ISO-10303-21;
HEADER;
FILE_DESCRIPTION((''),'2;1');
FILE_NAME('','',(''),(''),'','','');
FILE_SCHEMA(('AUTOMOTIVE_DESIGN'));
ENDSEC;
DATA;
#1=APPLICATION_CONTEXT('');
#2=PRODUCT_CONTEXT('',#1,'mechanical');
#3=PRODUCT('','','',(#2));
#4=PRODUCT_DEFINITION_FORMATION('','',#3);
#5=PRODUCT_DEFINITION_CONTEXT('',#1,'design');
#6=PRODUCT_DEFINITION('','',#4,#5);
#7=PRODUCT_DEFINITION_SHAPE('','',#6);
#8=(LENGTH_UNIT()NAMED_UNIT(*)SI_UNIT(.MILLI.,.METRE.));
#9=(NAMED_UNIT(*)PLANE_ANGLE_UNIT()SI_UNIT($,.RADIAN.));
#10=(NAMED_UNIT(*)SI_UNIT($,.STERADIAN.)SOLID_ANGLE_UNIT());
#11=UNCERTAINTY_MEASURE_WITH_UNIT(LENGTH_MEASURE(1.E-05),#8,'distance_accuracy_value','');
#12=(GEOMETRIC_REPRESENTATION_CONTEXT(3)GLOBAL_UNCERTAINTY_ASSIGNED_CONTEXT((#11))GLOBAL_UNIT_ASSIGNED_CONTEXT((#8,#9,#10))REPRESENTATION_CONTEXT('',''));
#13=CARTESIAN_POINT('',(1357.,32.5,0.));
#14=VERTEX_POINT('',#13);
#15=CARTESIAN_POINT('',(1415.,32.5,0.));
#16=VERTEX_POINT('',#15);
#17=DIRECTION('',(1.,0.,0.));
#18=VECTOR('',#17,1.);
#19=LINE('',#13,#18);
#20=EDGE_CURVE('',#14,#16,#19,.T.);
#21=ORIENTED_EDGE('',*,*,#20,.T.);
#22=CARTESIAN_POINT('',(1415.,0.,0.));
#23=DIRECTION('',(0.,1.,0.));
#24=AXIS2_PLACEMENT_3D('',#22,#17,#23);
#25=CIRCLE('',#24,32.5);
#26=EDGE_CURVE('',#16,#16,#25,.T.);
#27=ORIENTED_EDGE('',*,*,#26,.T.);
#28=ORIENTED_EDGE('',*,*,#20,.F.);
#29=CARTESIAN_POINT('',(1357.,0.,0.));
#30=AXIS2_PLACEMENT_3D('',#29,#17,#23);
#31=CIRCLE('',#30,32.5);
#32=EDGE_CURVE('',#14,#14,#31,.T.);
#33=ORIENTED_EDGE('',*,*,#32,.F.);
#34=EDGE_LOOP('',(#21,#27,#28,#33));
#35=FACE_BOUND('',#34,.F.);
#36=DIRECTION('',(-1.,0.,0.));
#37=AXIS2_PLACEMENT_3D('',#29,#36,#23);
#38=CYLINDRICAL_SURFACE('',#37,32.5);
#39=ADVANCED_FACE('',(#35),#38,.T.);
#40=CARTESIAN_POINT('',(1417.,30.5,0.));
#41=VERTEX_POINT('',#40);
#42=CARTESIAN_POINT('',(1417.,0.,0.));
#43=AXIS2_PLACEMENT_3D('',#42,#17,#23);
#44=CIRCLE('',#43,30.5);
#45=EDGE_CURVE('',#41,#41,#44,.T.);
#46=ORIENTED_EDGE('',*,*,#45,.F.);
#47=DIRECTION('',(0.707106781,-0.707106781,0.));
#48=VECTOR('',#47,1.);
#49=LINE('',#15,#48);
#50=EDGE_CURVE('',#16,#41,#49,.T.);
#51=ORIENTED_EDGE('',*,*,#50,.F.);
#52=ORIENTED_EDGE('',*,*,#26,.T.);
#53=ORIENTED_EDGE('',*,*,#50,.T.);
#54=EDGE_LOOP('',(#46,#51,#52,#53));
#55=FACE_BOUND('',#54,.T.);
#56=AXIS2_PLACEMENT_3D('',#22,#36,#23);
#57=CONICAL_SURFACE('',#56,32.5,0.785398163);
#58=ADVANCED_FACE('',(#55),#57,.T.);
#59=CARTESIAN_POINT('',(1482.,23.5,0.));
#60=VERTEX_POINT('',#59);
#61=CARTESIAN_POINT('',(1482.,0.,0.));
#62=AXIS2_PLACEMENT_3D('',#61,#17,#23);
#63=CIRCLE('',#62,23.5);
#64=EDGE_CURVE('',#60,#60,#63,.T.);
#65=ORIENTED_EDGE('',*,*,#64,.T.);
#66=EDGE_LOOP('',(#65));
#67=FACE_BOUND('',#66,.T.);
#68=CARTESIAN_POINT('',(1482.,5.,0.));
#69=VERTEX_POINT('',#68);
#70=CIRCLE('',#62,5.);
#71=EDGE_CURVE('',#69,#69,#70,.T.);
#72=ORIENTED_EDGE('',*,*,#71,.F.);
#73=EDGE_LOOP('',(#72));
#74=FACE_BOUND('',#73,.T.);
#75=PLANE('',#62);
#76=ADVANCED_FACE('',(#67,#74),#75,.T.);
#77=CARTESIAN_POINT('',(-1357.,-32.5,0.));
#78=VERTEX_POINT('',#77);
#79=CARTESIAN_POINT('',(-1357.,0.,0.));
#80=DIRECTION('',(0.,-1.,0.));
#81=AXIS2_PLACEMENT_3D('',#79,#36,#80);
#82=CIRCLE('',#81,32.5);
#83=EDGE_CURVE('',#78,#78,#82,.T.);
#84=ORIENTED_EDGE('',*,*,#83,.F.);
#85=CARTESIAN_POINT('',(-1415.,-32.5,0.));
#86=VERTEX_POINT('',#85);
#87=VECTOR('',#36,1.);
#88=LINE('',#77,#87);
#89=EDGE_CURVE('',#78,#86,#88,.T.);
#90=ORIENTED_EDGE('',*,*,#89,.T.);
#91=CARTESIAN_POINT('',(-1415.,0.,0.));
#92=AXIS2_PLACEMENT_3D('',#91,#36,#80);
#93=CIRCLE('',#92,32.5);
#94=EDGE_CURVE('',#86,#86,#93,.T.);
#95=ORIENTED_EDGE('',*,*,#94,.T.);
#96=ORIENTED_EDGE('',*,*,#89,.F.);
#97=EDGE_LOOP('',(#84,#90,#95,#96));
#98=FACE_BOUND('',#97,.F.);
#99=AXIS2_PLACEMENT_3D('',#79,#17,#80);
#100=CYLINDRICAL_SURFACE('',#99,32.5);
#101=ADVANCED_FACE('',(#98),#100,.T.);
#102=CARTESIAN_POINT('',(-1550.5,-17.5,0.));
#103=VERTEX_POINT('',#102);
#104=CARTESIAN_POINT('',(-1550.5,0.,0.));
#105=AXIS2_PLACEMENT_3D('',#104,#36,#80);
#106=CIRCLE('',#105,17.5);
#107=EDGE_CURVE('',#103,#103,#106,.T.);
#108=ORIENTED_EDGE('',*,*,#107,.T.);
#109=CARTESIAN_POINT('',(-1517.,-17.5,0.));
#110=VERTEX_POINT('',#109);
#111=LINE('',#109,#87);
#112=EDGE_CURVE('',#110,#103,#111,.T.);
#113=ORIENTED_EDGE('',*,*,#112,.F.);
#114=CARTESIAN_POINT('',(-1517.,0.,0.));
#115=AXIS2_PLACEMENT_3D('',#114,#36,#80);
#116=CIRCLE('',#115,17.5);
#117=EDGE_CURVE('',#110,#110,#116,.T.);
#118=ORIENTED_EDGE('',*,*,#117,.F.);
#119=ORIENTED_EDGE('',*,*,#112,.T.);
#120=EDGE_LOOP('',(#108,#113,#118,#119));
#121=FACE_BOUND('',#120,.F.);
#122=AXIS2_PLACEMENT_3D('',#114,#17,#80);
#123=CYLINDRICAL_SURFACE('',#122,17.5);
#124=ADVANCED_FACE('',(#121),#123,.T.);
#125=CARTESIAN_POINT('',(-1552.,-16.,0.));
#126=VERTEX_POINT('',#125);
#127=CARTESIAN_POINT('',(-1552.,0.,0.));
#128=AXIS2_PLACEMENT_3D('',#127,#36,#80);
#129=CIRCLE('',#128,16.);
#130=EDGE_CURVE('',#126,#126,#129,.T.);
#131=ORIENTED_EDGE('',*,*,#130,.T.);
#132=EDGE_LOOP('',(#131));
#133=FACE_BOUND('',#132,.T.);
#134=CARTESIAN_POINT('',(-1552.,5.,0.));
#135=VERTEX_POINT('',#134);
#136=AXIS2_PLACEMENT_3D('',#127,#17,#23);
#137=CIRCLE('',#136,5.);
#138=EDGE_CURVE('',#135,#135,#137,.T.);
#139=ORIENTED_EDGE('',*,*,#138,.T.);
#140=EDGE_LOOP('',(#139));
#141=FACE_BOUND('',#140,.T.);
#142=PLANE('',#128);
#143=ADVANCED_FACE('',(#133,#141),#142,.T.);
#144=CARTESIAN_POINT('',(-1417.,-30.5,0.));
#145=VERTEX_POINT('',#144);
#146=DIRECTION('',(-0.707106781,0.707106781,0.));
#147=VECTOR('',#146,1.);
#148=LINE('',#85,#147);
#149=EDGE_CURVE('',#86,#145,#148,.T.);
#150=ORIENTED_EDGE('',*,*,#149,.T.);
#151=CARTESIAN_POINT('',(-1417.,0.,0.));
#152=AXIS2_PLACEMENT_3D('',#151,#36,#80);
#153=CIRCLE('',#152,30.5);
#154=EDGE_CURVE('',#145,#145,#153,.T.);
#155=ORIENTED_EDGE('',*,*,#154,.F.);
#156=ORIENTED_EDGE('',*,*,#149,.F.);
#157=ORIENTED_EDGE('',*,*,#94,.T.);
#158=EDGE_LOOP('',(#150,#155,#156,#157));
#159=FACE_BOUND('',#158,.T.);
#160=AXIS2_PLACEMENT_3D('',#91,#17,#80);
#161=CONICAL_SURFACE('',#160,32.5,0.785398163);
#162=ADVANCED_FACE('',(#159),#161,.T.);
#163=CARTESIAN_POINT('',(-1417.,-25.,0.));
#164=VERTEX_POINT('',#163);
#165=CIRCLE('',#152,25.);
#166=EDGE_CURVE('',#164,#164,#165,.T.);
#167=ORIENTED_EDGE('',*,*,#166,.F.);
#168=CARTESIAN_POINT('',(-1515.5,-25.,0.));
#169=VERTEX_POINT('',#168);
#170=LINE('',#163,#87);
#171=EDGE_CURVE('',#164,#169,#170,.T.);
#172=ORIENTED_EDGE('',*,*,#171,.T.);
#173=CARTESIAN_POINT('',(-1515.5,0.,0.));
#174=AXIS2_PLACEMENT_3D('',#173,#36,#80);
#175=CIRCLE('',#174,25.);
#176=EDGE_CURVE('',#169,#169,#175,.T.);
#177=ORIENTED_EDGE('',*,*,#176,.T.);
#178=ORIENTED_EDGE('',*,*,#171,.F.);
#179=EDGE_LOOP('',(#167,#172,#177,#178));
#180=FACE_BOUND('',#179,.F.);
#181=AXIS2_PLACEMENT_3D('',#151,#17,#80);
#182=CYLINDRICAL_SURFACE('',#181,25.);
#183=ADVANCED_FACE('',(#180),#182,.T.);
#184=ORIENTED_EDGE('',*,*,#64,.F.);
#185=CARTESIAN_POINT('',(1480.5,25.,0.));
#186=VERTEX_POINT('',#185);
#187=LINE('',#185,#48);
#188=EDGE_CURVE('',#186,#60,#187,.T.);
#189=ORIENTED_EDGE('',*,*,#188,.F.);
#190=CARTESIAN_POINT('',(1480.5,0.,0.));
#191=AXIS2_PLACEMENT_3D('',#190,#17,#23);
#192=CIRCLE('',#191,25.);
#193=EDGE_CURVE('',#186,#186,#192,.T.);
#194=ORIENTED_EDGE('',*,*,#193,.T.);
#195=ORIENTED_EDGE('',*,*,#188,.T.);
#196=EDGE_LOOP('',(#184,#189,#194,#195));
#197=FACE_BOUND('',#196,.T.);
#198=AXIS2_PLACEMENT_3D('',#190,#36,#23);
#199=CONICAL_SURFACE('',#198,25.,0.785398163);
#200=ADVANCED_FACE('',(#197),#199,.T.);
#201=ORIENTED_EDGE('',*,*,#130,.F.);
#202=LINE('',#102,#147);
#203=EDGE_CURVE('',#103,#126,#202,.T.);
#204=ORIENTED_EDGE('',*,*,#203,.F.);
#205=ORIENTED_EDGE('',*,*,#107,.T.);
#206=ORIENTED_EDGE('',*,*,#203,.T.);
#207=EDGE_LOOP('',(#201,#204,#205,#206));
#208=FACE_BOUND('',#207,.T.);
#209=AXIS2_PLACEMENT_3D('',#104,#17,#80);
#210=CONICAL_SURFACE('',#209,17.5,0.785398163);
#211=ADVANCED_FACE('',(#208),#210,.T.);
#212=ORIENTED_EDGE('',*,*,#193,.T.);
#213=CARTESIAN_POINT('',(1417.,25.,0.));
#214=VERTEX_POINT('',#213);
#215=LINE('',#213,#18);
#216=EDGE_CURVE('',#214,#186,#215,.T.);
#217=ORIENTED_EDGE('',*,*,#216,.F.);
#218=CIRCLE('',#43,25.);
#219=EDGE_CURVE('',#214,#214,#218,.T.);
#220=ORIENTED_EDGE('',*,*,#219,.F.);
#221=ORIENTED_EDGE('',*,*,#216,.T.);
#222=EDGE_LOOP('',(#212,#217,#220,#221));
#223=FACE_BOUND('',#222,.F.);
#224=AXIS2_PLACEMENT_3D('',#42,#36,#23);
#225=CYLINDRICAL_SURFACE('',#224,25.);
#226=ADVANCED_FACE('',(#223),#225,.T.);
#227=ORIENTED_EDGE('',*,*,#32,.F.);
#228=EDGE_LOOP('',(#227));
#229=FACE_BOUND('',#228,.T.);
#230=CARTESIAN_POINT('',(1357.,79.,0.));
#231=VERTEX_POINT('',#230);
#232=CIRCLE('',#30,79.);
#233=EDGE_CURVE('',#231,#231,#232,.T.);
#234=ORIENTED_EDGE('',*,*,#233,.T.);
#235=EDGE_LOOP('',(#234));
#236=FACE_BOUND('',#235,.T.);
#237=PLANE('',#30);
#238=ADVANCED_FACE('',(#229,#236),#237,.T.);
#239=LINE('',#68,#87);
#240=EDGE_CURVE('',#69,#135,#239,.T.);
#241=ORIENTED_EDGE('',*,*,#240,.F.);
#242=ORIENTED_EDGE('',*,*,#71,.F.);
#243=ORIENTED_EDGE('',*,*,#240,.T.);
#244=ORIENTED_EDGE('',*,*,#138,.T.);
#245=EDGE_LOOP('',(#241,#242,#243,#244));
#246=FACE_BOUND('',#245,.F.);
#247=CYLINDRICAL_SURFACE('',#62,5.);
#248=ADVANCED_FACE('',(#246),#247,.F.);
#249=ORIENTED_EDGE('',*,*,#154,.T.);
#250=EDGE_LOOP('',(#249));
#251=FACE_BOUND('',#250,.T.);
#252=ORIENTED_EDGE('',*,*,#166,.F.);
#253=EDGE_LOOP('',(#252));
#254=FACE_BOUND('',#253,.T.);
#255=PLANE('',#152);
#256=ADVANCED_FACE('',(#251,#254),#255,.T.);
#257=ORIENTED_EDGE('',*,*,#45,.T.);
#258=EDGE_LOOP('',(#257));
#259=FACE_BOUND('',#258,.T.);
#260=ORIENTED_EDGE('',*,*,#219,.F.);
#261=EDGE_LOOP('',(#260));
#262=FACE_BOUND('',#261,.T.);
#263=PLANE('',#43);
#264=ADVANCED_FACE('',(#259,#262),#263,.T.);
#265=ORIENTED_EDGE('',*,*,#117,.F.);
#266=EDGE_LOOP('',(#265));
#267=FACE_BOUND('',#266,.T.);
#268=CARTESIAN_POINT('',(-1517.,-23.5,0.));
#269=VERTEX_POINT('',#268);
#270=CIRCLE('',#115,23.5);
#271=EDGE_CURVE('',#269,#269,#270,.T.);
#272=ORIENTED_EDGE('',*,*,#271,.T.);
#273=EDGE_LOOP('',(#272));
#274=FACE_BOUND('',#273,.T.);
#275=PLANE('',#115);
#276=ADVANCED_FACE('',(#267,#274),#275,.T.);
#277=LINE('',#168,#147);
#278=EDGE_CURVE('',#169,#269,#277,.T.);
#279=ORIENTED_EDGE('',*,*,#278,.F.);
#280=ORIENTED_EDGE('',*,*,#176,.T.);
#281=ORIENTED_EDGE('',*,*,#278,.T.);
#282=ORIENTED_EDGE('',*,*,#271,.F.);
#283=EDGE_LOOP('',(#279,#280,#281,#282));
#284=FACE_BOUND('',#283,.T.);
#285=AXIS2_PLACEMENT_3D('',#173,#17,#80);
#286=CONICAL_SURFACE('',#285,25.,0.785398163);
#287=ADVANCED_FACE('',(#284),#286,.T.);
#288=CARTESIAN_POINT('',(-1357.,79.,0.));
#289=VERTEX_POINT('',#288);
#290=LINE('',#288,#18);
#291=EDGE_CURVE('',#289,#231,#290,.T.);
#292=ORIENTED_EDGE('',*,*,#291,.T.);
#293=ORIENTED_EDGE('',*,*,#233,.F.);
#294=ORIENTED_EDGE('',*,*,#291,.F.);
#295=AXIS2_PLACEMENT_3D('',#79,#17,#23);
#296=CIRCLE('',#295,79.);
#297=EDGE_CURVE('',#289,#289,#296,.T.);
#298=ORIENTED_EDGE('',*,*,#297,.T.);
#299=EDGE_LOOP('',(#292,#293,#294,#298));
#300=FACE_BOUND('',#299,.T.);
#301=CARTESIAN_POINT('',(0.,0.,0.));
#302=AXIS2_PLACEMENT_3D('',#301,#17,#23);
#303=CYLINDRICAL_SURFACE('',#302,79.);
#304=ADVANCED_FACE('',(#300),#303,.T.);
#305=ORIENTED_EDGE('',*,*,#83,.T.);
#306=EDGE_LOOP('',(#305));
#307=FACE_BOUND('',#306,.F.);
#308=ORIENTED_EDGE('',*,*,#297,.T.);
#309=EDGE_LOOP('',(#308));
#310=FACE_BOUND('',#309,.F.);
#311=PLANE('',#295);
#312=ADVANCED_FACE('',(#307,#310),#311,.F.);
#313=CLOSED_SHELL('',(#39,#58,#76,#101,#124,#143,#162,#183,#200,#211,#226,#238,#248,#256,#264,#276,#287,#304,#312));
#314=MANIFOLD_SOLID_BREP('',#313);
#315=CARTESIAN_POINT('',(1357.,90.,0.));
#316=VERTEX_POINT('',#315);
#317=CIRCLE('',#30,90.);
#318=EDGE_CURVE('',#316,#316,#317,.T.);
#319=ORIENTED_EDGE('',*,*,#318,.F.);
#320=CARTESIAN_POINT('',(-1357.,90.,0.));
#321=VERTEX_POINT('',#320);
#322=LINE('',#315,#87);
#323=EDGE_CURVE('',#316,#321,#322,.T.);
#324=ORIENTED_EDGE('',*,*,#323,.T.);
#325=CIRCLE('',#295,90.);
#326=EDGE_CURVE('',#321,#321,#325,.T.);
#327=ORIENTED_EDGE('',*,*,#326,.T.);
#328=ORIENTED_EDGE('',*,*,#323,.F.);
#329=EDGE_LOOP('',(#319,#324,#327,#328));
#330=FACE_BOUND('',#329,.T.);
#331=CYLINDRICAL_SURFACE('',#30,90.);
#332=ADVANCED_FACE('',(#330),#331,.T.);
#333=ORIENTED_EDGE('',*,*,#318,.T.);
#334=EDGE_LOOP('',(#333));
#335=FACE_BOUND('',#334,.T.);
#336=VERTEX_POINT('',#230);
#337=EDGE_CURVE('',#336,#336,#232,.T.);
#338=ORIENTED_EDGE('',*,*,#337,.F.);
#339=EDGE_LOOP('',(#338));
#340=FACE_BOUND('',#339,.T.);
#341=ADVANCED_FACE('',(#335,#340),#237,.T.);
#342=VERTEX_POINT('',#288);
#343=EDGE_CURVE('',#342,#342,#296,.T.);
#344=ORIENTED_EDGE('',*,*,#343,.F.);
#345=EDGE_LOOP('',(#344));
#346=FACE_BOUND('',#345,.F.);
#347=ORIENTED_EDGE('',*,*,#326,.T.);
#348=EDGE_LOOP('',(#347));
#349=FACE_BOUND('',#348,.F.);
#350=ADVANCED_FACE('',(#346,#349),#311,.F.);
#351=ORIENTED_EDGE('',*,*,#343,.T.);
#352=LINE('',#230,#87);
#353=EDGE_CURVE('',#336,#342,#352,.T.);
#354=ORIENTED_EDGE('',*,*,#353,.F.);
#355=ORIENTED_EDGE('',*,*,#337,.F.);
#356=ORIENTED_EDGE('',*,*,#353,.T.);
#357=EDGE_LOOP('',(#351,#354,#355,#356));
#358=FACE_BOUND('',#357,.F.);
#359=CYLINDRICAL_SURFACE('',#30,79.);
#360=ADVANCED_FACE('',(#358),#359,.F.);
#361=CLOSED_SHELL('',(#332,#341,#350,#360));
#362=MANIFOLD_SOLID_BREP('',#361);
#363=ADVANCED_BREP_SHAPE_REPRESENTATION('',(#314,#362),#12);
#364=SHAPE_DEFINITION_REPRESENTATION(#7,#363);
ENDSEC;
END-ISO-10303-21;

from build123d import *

# Parameters (mm, degrees)
F0_R      = 79
F1_DEPTH  = 1357
F2_R      = 32.5
F3_DEPTH  = 60
F4_SIZE   = 2
F5_R      = 25
F6_DEPTH  = 65
F7_SIZE   = 1.5
F8_R      = 32.5
F9_DEPTH  = 60
F10_R     = 25
F11_DEPTH = 100
F12_R     = 17.5
F13_DEPTH = 35
F14_SIZE  = 2
F15_SIZE  = 1.5
F16_R     = 5
F17_DEPTH = 3034.001
F18_R     = 90
F18_R_2   = 79
F19_DEPTH = 2714


with BuildPart() as f1:
    # F0 (on Right) → F1 (new body, symmetric)
    with BuildSketch(Plane.YZ):
        Circle(F0_R)
    extrude(amount=F1_DEPTH, both=True)

    # F2 (on face) → F3 (join)
    with BuildSketch(Plane.YZ.offset(1357)):
        Circle(F2_R)
    extrude(amount=F3_DEPTH)

    # F4
    f4_edges = [f1.edges().sort_by_distance(p)[0] for p in [
        (1417, -32.5, 0),
    ]]
    chamfer(f4_edges, length=F4_SIZE)

    # F5 (on face) → F6 (join)
    with BuildSketch(Plane.YZ.offset(1417)):
        Circle(F5_R)
    extrude(amount=F6_DEPTH)

    # F7
    f7_edges = [f1.edges().sort_by_distance(p)[0] for p in [
        (1482, -25, 0),
    ]]
    chamfer(f7_edges, length=F7_SIZE)

    # F8 (on face) → F9 (join)
    with BuildSketch(Plane(origin=(-1357, 0, 0), x_dir=(0, -1, 0), z_dir=(-1, 0, 0))):
        Circle(F8_R)
    extrude(amount=F9_DEPTH)

    # F10 (on face) → F11 (join)
    with BuildSketch(Plane(origin=(-1417, 0, 0), x_dir=(0, -1, 0), z_dir=(-1, 0, 0))):
        Circle(F10_R)
    extrude(amount=F11_DEPTH)

    # F12 (on face) → F13 (join)
    with BuildSketch(Plane(origin=(-1517, 0, 0), x_dir=(0, -1, 0), z_dir=(-1, 0, 0))):
        Circle(F12_R)
    extrude(amount=F13_DEPTH)

    # F14
    f14_edges = [f1.edges().sort_by_distance(p)[0] for p in [
        (-1417, 32.5, 0),
    ]]
    chamfer(f14_edges, length=F14_SIZE)

    # F15
    f15_edges = [f1.edges().sort_by_distance(p)[0] for p in [
        (-1517, 25, 0),
        (-1552, 17.5, 0),
    ]]
    chamfer(f15_edges, length=F15_SIZE)

    # F16 (on face) → F17 (cut, through all)
    with BuildSketch(Plane.YZ.offset(1482)):
        Circle(F16_R)
    extrude(amount=-F17_DEPTH, mode=Mode.SUBTRACT)


with BuildPart() as f19:
    # F18 (on face) → F19 (new body, through all)
    with BuildSketch(Plane.YZ.offset(1357)):
        Circle(F18_R)
        Circle(F18_R_2, mode=Mode.SUBTRACT)
    extrude(amount=-F19_DEPTH)


solid = Compound([f1.part, f19.part])
